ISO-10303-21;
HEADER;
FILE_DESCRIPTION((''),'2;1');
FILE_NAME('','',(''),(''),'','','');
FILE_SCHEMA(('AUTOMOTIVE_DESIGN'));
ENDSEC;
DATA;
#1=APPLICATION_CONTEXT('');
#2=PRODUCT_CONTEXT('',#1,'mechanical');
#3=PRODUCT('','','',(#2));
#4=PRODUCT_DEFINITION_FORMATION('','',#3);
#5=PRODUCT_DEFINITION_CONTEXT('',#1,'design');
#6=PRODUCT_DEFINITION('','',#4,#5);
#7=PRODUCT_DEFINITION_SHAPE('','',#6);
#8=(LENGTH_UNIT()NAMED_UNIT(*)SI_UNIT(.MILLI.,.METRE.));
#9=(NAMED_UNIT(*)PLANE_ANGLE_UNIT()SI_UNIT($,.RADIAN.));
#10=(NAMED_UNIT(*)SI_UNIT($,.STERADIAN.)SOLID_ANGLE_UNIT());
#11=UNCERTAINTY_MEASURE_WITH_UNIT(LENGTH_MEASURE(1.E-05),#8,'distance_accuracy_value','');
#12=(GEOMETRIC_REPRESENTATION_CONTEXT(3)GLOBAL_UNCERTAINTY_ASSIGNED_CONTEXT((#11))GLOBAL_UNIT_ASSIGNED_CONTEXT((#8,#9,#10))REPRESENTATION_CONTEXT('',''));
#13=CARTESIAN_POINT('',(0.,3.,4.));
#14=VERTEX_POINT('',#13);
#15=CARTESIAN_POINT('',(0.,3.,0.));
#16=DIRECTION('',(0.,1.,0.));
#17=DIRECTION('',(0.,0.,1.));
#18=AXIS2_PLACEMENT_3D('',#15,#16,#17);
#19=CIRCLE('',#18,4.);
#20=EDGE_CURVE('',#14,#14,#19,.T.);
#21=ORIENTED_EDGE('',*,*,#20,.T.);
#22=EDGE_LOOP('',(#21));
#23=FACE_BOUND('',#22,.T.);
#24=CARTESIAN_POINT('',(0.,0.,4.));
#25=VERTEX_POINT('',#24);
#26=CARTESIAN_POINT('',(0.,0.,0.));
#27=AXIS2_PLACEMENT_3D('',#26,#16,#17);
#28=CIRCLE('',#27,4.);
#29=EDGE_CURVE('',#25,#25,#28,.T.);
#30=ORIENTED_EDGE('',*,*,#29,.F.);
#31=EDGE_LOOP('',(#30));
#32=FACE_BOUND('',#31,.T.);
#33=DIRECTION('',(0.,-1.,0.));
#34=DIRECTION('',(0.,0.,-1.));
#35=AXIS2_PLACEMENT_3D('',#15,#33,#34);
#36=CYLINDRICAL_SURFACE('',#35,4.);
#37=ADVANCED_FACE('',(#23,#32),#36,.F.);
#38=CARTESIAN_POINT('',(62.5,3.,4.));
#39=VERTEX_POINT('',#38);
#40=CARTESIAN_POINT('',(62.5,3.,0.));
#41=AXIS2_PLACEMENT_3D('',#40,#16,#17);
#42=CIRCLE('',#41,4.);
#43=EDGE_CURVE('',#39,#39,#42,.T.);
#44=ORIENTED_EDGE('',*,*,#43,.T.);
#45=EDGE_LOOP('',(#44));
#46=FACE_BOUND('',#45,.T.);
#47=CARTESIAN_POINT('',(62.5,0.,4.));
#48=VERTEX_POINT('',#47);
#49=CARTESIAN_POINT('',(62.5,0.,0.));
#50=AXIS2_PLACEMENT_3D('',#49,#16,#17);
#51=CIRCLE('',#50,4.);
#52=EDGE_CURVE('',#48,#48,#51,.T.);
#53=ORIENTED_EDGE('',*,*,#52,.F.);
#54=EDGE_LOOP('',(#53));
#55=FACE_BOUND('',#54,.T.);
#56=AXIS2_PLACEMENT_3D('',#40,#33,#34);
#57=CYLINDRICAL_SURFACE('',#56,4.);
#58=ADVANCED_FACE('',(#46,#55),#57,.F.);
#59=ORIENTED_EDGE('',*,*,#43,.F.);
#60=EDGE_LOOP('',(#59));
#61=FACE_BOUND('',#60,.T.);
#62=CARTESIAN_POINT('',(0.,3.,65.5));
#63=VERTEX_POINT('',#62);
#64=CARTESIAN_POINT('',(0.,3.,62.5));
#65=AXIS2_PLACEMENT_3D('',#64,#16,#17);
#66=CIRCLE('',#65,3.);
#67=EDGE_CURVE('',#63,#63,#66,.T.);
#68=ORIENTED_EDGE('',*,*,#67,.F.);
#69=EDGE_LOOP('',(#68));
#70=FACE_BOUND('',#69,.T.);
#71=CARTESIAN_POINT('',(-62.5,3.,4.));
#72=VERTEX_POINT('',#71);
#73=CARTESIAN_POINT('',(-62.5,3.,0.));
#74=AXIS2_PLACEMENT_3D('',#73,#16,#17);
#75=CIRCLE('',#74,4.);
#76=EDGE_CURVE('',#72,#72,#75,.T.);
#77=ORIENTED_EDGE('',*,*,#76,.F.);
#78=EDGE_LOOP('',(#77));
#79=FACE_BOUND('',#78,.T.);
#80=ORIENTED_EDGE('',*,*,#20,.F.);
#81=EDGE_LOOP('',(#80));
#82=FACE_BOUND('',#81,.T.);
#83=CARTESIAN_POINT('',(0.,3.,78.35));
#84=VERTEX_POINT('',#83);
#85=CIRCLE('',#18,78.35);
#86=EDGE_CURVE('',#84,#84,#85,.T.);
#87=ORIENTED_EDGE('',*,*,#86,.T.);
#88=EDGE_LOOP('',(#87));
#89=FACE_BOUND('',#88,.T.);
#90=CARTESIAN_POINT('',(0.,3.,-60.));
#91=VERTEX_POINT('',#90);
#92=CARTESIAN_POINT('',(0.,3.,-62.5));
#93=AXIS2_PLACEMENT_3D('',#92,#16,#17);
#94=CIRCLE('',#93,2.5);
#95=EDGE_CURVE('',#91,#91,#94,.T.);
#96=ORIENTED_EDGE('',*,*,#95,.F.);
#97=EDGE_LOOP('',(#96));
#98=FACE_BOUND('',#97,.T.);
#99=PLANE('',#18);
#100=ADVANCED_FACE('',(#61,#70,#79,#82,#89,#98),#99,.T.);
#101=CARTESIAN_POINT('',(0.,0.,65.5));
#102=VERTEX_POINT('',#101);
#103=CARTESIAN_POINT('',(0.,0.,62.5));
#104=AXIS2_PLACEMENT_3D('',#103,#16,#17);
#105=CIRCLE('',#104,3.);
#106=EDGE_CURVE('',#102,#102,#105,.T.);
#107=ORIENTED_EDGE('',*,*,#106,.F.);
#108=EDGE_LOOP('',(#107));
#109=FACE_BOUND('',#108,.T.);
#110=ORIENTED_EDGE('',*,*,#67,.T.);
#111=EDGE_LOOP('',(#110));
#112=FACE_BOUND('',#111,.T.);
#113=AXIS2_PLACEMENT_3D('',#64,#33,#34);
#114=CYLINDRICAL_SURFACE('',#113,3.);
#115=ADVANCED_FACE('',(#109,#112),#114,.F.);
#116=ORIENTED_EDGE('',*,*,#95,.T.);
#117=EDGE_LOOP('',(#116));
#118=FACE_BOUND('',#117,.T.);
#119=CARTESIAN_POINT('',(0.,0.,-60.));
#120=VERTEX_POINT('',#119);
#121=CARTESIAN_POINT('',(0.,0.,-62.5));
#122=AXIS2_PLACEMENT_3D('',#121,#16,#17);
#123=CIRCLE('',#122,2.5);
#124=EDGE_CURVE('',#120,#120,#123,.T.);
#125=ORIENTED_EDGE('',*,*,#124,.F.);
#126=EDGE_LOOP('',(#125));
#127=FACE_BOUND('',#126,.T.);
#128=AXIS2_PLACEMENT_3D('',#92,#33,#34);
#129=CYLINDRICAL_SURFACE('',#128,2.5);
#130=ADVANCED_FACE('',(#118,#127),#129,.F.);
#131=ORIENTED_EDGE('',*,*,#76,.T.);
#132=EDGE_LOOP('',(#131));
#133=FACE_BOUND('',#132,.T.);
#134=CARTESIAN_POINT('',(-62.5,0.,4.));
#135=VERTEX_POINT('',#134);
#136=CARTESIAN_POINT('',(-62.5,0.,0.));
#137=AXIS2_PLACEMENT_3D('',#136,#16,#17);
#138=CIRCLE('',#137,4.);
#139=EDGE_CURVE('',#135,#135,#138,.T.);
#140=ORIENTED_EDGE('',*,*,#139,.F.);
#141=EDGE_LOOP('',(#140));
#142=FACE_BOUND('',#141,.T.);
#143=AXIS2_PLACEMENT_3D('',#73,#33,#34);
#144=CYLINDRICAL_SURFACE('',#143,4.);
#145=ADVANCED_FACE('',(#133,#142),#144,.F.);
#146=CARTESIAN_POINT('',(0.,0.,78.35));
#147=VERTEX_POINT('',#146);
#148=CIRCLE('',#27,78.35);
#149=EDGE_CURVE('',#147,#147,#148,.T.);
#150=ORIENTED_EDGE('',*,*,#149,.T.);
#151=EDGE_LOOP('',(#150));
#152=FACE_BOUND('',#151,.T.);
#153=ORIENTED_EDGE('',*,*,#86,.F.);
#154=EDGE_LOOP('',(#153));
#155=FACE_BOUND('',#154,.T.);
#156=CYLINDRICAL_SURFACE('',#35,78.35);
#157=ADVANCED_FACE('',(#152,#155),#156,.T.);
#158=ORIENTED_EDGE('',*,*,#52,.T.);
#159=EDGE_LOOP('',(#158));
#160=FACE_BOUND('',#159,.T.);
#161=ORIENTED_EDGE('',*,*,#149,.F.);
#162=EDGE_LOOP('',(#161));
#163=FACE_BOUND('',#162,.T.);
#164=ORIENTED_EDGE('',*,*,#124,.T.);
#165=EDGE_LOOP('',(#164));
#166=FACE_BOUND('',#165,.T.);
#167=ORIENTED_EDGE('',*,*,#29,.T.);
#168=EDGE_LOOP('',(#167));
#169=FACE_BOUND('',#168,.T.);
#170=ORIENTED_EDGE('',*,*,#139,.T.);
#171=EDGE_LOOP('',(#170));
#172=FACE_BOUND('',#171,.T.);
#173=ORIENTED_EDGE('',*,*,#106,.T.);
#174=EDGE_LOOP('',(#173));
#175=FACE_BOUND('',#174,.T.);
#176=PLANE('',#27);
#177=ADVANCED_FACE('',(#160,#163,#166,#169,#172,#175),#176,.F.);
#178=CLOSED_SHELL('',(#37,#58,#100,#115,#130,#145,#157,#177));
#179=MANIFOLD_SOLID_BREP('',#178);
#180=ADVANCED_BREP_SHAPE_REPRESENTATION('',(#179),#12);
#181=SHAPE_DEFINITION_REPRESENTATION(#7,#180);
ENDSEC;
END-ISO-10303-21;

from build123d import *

# Parameters (mm, degrees)
SKETCH1_R           = 78.35
SKETCH1_R_2         = 4
SKETCH1_R_3         = 3
SKETCH1_R_4         = 2.5
BOSS_EXTRUDE1_DEPTH = 3


with BuildPart() as part:
    # Sketch1 → Boss-Extrude1 (new body)
    with BuildSketch(Plane(origin=(0, 0, 0), x_dir=(1, 0, 0), z_dir=(0, 1, 0))):
        with Locations(Location((0, 0, 0), (0, 0, 270))):
            Circle(SKETCH1_R)
        with Locations(Location((-62.5, 0, 0), (0, 0, 270))):
            Circle(SKETCH1_R_2, mode=Mode.SUBTRACT)
        with Locations(Location((0, -62.5, 0), (0, 0, 270))):
            Circle(SKETCH1_R_3, mode=Mode.SUBTRACT)
        with Locations(Location((0, 62.5, 0), (0, 0, 270))):
            Circle(SKETCH1_R_4, mode=Mode.SUBTRACT)
        with Locations(Location((62.5, 0, 0), (0, 0, 270))):
            Circle(SKETCH1_R_2, mode=Mode.SUBTRACT)
        with Locations(Location((0, 0, 0), (0, 0, 270))):
            Circle(SKETCH1_R_2, mode=Mode.SUBTRACT)
    extrude(amount=BOSS_EXTRUDE1_DEPTH)


solid = part.part
